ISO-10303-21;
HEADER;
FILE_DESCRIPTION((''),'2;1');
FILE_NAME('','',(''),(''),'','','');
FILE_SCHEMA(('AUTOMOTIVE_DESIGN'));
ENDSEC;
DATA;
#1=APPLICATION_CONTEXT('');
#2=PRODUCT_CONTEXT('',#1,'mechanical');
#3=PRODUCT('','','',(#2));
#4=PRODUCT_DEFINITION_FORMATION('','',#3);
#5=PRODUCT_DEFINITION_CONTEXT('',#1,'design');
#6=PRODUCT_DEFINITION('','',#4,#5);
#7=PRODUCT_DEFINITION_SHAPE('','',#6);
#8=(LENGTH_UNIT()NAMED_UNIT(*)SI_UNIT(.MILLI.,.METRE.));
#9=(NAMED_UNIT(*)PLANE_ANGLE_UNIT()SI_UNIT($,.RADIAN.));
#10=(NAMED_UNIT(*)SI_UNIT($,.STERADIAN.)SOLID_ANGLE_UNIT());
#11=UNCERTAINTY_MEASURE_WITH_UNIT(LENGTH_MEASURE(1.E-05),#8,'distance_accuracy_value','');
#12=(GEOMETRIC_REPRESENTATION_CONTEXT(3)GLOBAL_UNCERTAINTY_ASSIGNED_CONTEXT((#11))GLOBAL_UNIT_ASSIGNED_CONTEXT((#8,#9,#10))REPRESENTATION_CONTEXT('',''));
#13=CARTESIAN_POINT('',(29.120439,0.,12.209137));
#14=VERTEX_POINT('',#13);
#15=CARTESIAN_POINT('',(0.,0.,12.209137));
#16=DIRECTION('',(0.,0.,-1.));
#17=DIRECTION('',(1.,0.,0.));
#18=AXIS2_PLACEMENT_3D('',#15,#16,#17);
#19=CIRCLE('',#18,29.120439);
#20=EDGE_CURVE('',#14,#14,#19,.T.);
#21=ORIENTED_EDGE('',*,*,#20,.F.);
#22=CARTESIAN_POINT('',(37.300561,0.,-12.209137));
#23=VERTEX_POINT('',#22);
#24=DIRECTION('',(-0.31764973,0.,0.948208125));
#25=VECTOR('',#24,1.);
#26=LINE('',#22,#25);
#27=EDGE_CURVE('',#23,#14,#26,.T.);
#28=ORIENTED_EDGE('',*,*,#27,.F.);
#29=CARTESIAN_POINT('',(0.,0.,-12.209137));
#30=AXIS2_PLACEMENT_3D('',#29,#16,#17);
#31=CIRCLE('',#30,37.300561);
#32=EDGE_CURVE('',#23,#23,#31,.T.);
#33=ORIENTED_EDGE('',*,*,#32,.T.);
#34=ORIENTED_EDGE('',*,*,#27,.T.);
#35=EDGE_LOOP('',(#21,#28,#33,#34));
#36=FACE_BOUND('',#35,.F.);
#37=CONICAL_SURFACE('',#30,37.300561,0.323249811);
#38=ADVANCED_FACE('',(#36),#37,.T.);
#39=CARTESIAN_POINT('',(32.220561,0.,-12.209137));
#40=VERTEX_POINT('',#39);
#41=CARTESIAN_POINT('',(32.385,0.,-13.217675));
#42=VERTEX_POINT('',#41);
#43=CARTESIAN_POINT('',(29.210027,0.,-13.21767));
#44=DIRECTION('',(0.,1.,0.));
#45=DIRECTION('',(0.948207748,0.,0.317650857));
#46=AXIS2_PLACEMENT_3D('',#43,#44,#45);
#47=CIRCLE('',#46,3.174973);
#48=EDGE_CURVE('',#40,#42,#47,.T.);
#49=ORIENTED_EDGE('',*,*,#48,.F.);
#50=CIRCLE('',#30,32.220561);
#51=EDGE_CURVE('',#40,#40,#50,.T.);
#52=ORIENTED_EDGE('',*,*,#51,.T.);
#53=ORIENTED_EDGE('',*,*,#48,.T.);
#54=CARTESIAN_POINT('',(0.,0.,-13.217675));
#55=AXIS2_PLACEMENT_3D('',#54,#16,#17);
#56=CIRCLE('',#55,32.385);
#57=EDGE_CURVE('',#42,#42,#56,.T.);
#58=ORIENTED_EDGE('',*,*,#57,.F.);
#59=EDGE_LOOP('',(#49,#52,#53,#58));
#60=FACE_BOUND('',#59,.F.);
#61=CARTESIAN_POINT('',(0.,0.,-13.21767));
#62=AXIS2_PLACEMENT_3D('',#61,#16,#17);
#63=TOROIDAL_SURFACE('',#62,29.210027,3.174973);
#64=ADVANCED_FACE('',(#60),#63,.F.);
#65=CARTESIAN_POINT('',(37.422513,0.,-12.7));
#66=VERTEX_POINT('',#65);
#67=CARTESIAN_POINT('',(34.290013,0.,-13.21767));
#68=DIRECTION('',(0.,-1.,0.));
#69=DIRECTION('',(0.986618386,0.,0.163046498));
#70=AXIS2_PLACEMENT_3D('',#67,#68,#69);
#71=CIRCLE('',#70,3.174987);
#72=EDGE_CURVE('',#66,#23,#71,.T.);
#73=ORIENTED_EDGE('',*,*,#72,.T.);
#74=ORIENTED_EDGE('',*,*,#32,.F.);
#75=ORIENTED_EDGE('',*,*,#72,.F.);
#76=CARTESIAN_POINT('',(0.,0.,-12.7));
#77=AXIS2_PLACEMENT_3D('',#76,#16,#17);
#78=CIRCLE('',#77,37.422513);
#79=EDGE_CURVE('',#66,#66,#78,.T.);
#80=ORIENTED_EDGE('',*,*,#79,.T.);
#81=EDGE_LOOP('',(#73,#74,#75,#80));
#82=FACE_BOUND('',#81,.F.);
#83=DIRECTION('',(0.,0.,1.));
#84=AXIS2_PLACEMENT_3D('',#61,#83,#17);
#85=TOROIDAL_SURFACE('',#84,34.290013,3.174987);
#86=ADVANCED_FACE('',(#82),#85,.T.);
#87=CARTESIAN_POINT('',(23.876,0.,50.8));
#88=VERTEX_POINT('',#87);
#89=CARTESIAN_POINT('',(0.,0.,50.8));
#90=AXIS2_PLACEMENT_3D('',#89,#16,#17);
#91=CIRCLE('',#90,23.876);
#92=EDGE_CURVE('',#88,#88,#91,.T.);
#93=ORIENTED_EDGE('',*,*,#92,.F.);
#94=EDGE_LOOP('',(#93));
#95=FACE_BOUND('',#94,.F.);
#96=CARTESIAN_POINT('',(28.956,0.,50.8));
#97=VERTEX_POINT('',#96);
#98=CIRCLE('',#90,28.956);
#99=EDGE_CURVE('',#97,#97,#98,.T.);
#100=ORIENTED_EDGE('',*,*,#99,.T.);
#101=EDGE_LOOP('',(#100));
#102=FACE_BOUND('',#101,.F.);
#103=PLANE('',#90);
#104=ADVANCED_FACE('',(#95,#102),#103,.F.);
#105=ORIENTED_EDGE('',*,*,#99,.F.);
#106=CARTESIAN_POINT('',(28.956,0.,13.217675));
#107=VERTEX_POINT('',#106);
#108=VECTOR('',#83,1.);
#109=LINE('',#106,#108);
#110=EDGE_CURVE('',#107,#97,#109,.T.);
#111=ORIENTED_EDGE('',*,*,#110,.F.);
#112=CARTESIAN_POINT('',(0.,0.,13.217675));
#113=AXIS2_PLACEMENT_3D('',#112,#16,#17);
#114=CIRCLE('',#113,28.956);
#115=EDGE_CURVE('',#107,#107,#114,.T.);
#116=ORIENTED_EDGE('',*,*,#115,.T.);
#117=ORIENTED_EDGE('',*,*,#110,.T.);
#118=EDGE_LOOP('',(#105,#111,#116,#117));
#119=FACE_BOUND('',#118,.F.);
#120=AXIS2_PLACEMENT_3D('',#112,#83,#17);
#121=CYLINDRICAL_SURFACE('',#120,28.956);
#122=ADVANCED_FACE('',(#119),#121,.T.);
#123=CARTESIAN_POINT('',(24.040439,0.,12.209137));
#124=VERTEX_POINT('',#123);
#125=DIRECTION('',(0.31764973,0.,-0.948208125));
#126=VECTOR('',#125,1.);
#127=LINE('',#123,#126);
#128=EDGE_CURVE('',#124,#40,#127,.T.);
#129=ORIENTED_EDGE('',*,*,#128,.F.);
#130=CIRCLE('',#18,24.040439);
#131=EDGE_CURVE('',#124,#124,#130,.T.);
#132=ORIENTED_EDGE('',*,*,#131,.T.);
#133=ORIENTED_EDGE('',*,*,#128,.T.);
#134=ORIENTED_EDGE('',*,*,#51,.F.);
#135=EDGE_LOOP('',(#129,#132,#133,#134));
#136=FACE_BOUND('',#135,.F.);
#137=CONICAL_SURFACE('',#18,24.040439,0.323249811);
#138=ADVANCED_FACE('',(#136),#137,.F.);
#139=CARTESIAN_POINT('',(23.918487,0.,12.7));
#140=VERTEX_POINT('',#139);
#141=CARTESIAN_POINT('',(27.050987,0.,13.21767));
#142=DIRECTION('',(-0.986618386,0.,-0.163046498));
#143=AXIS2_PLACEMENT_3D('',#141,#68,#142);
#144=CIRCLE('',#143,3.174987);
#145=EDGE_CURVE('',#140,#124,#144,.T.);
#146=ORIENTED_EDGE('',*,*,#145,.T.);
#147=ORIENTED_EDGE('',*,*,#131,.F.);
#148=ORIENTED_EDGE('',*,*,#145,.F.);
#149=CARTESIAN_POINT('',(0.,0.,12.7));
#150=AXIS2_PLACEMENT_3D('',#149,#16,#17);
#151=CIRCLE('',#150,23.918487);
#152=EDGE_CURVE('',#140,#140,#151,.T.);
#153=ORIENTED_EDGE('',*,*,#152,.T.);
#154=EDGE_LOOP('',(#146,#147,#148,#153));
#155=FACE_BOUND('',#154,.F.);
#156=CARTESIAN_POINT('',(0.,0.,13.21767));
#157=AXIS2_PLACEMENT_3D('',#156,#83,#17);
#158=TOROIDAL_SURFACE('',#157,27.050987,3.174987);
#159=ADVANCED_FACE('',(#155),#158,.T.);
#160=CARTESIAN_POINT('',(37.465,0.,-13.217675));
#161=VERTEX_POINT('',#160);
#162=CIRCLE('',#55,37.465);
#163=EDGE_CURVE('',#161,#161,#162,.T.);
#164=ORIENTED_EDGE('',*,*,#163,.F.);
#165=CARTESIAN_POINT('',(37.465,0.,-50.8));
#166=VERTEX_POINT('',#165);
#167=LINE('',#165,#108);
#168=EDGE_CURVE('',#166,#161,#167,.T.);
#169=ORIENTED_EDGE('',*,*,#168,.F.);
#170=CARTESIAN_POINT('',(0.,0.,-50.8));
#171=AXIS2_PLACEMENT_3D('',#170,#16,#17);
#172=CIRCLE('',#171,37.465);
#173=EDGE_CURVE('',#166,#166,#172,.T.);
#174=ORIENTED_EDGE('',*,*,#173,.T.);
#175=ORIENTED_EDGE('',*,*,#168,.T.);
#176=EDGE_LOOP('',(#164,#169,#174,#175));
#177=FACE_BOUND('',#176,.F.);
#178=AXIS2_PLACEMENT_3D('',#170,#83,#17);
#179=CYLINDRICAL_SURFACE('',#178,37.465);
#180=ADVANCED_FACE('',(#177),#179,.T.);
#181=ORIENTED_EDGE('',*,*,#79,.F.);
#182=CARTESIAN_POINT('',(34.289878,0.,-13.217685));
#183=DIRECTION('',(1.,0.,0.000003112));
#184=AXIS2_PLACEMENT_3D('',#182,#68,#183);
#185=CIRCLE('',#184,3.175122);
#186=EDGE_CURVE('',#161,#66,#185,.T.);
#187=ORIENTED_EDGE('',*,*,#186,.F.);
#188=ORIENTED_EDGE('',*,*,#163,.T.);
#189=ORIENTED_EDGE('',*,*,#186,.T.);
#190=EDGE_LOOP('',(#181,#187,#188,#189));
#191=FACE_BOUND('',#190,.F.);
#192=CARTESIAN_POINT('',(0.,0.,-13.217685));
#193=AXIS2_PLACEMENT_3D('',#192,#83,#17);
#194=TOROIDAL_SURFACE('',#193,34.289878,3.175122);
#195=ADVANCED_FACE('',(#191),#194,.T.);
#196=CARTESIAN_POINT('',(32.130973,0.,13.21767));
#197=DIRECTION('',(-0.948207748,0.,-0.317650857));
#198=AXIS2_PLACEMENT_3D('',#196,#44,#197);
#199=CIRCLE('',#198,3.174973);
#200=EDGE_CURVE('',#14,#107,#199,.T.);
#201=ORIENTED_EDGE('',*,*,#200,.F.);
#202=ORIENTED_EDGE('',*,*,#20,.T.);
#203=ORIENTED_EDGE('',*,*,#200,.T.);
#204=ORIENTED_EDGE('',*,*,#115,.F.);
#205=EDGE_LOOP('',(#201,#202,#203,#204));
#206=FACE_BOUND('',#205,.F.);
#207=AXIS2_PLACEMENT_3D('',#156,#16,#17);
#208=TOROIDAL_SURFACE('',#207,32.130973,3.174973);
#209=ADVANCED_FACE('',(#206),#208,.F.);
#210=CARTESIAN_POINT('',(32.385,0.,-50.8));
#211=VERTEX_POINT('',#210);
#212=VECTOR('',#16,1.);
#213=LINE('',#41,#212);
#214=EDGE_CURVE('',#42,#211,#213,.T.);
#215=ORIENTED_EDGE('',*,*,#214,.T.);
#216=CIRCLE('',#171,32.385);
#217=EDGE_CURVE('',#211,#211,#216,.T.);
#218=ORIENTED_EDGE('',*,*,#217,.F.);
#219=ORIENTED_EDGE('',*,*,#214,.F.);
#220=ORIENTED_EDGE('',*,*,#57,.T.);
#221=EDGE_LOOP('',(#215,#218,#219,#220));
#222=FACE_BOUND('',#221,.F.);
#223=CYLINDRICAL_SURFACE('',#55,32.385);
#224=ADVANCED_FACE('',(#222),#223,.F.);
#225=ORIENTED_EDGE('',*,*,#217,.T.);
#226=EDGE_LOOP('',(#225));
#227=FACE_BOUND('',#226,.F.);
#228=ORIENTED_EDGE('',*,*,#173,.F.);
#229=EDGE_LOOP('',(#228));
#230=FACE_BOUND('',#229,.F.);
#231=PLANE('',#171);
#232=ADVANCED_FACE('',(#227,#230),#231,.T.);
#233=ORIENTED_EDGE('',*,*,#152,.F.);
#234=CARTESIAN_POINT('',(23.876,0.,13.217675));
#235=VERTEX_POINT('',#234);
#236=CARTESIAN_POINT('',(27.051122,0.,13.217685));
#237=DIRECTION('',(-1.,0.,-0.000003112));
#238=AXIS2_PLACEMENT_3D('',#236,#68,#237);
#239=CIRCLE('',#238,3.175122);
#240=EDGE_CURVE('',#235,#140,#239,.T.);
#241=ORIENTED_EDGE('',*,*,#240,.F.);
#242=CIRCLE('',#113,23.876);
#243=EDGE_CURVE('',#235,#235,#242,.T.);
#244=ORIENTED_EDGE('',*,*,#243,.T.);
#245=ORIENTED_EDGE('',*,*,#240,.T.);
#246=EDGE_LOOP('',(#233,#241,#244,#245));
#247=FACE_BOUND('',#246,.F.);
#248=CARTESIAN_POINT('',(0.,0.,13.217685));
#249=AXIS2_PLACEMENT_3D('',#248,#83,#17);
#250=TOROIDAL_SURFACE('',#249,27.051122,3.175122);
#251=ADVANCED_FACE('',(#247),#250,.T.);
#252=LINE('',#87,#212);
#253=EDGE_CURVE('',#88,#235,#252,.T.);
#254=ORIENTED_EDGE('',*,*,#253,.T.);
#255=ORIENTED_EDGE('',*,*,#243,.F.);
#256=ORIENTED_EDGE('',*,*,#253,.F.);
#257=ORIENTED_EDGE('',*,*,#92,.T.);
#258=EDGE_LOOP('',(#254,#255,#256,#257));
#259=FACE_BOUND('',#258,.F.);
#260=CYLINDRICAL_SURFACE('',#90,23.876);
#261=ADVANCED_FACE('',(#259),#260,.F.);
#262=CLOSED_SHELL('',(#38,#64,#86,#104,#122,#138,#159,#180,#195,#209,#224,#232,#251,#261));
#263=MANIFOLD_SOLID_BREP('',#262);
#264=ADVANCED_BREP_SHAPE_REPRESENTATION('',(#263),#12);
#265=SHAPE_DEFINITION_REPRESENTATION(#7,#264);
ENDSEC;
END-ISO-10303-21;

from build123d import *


with BuildPart() as f1:
    # F0 (on Front) → F1 (revolve)
    with BuildSketch(Plane.XZ):
        with BuildLine():
            Line((28.956, 50.8), (23.876, 50.8))
            Line((23.876, 50.8), (23.876, 13.217675))
            ThreePointArc((23.876, 13.217675), (23.88664, 12.957967), (23.918487, 12.7))
            ThreePointArc((23.918487, 12.7), (23.969673, 12.452136), (24.040439, 12.209137))
            Line((24.040439, 12.209137), (32.220561, -12.209137))
            ThreePointArc((32.220561, -12.209137), (32.343621, -12.706747), (32.385, -13.217675))
            Line((32.385, -13.217675), (32.385, -50.8))
            Line((32.385, -50.8), (37.465, -50.8))
            Line((37.465, -50.8), (37.465, -13.217675))
            ThreePointArc((37.465, -13.217675), (37.45436, -12.957967), (37.422513, -12.7))
            ThreePointArc((37.422513, -12.7), (37.371327, -12.452136), (37.300561, -12.209137))
            Line((37.300561, -12.209137), (29.120439, 12.209137))
            ThreePointArc((29.120439, 12.209137), (28.997379, 12.706747), (28.956, 13.217675))
            Line((28.956, 13.217675), (28.956, 50.8))
        make_face()
    revolve(axis=Axis((0, 0, 0), (0, 0, -1)))


solid = f1.part
